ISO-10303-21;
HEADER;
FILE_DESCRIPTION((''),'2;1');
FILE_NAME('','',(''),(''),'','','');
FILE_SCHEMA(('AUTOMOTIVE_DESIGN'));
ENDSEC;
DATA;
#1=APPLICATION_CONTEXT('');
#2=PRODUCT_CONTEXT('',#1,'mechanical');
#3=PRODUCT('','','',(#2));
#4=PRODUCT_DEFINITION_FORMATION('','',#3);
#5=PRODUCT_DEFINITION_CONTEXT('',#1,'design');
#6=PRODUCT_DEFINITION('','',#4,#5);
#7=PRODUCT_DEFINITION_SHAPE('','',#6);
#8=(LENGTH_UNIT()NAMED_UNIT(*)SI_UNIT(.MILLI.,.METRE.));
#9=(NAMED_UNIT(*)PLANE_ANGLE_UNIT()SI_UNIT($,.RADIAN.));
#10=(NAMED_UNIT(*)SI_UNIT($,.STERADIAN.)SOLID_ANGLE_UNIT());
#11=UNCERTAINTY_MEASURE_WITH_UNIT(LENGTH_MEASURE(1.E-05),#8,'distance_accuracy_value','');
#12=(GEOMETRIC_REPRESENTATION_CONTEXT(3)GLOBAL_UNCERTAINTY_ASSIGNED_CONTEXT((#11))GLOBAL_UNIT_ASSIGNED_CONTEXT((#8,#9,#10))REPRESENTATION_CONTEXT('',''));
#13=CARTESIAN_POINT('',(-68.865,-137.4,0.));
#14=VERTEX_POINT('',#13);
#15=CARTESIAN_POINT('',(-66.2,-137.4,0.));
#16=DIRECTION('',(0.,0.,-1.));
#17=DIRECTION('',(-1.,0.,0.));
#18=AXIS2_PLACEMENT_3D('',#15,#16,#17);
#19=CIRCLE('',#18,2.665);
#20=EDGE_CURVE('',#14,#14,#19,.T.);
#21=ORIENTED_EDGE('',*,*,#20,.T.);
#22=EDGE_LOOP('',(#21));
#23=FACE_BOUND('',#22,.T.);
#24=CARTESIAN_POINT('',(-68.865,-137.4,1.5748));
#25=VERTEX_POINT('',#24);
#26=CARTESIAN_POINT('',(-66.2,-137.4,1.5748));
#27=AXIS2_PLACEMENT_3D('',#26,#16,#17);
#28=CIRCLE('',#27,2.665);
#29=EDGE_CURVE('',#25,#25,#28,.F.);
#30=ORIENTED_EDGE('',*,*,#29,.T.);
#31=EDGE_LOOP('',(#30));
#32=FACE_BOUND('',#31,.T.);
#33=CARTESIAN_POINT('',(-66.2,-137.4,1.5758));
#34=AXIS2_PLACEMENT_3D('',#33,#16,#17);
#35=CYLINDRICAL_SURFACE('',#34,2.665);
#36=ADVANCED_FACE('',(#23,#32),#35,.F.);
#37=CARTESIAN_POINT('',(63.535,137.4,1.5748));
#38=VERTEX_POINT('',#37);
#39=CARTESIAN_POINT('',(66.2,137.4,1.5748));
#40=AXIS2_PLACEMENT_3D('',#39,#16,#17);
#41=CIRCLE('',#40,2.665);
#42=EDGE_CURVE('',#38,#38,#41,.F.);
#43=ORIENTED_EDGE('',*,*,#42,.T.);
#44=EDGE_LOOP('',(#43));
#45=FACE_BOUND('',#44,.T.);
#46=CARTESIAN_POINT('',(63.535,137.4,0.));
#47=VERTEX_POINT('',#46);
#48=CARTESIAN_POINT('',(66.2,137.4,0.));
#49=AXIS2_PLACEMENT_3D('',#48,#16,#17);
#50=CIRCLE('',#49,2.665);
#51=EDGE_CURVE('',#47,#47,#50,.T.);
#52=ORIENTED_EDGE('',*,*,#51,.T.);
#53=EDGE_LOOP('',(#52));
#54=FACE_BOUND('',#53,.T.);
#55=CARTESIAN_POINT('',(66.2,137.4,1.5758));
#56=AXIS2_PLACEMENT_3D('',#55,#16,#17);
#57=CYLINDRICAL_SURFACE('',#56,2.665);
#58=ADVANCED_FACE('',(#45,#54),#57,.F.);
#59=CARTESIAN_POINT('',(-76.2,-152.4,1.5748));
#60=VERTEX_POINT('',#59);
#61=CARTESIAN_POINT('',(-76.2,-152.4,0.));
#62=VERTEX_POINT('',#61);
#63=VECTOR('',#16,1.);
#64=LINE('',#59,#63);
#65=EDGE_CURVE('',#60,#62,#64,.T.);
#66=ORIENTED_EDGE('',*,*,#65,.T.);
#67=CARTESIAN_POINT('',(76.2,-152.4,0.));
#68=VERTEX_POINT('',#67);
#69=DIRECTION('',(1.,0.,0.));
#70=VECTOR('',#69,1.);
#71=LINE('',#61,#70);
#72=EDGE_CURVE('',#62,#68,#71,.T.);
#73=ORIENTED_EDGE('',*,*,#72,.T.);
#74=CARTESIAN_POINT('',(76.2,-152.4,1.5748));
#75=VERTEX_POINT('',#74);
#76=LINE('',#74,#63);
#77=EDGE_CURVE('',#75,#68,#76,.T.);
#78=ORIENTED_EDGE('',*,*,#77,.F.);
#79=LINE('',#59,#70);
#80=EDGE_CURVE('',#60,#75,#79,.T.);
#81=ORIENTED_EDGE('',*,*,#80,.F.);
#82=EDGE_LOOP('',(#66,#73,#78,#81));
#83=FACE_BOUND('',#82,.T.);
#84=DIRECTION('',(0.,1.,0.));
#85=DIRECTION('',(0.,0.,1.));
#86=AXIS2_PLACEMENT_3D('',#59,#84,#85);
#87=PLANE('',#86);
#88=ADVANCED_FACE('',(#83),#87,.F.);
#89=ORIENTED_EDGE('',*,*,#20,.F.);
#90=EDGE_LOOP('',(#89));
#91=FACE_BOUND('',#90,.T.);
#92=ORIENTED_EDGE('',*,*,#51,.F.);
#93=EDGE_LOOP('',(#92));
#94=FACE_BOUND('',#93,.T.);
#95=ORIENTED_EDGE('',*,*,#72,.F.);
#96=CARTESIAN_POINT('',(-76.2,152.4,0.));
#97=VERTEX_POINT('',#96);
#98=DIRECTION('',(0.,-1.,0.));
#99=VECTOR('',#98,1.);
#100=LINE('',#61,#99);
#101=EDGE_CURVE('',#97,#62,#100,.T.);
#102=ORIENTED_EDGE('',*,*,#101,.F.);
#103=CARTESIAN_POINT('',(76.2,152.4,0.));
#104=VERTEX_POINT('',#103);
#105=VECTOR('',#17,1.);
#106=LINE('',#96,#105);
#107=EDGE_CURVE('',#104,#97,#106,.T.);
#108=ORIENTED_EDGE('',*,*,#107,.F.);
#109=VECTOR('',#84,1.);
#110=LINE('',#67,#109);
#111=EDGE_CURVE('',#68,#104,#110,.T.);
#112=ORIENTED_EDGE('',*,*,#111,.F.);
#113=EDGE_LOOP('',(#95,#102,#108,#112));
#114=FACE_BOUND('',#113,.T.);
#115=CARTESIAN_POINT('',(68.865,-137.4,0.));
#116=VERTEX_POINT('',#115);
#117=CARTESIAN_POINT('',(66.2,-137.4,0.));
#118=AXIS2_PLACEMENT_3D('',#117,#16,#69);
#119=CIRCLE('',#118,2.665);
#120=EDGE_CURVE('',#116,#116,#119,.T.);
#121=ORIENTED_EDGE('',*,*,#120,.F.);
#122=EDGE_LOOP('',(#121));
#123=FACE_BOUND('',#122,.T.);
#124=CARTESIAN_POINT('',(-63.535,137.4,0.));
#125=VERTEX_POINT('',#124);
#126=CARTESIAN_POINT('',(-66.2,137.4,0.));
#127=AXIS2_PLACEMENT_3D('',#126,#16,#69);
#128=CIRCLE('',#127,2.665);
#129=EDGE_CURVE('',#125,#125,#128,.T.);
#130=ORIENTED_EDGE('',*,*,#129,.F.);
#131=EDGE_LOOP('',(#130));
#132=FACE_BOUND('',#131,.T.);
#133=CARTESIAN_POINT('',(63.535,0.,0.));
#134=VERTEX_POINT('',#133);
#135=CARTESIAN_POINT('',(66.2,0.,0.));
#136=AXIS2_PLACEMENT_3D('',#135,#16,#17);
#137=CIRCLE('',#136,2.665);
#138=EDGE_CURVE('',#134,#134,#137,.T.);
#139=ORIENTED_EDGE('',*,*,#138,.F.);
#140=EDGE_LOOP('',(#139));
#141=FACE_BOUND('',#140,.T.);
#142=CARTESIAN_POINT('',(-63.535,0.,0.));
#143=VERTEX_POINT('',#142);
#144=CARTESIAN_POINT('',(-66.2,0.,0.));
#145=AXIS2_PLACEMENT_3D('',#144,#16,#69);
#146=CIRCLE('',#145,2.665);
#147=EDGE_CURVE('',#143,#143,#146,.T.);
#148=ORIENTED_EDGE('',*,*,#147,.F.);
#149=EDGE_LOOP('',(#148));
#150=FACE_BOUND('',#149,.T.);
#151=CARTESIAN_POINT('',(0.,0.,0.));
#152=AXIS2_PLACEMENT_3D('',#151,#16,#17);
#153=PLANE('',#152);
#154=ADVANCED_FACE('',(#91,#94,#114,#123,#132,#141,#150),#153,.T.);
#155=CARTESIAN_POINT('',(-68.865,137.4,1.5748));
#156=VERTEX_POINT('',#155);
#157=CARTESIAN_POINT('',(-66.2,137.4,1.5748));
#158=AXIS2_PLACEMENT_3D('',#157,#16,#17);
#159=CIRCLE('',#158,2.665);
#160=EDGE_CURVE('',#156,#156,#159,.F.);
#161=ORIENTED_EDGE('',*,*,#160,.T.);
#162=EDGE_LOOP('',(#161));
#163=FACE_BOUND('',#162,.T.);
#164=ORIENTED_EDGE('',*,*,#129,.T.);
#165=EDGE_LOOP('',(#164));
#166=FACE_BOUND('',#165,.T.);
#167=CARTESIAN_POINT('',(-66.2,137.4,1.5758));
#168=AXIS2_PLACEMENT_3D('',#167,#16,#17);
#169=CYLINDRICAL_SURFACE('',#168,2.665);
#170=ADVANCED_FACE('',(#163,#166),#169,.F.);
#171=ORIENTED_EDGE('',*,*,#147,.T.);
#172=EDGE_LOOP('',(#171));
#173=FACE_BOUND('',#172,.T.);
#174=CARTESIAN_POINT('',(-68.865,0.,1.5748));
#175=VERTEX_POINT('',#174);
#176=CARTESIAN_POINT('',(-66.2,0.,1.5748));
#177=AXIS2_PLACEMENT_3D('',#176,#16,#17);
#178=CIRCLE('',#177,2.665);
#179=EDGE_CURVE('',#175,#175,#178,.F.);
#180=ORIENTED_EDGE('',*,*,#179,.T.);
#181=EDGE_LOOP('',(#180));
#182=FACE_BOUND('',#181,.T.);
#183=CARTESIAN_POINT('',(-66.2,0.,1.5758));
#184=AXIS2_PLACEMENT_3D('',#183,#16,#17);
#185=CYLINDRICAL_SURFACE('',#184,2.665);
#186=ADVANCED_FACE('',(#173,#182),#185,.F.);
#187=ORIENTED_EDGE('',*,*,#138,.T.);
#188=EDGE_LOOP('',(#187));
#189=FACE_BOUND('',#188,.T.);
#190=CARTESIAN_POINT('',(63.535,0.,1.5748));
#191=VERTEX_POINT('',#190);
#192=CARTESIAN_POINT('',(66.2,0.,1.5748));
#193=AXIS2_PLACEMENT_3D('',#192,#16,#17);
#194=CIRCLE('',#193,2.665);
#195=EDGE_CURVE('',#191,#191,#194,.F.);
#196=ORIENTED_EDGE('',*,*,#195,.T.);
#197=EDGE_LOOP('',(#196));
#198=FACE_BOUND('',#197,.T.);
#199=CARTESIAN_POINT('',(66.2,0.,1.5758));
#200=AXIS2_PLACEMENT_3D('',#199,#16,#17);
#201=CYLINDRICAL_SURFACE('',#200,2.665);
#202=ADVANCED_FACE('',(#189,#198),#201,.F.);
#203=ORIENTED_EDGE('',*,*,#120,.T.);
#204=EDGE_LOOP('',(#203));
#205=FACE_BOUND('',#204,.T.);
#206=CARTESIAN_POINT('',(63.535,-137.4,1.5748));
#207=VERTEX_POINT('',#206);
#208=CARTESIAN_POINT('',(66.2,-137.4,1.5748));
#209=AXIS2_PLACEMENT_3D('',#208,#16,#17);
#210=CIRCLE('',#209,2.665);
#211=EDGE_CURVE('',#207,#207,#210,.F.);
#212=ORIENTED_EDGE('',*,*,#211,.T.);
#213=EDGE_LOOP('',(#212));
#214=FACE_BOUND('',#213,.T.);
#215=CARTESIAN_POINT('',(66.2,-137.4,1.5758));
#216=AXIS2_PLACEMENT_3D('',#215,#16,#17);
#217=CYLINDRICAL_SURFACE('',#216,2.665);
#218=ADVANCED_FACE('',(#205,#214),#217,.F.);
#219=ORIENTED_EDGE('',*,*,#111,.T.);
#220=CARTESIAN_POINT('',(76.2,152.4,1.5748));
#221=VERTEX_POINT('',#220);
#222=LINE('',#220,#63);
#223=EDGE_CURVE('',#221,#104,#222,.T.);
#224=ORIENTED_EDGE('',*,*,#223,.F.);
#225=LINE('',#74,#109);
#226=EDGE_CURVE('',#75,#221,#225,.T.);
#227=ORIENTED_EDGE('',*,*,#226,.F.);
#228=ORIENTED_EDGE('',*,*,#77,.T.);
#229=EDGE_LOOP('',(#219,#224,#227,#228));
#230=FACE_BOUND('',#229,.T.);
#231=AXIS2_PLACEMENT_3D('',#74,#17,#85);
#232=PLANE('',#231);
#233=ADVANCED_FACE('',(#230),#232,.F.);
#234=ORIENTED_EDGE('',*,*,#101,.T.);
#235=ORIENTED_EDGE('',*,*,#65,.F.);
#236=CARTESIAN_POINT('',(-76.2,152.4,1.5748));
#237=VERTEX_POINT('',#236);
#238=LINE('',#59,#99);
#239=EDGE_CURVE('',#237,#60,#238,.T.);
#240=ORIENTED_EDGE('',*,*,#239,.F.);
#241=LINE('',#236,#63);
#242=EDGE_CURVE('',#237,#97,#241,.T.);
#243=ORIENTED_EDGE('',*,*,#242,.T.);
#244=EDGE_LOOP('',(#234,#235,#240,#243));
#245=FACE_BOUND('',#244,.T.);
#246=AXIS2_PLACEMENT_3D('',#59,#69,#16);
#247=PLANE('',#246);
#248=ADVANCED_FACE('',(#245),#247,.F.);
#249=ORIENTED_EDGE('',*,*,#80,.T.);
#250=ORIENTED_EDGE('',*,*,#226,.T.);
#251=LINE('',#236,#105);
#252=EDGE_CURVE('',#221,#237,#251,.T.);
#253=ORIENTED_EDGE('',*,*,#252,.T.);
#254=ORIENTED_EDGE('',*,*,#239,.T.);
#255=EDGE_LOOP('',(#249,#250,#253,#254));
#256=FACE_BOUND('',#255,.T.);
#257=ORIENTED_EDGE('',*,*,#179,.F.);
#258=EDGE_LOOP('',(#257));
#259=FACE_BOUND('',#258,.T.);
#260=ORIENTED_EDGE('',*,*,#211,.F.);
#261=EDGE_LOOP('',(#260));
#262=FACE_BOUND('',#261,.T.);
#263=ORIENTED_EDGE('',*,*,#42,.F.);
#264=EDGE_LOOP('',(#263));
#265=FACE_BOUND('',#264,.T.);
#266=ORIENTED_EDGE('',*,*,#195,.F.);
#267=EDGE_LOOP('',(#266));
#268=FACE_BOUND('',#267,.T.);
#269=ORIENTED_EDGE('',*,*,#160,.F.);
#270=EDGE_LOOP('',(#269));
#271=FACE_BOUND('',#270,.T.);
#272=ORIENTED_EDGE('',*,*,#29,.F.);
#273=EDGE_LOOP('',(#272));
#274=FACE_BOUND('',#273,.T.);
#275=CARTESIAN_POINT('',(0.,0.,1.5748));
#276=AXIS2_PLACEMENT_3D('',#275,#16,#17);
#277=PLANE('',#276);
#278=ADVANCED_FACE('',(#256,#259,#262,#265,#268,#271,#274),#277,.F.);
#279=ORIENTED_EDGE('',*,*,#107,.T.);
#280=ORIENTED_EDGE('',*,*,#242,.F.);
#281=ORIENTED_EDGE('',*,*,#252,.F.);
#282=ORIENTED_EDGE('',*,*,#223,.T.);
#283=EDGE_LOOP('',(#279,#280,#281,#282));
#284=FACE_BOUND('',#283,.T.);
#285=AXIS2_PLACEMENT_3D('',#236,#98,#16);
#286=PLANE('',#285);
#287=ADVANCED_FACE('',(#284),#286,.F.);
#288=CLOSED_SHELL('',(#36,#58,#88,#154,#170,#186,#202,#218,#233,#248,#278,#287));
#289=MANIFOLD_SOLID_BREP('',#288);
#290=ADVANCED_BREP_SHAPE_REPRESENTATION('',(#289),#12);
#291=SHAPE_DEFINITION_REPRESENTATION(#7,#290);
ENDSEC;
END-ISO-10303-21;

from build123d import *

# Parameters (mm, degrees)
SKETCH1_W           = 152.4
SKETCH1_H           = 304.8
BOSS_EXTRUDE1_DEPTH = 1.5748
CUT_EXTRUDE1_REACH  = 172.396
SKETCH2_R           = 2.665


with BuildPart() as part:
    # Sketch1 → Boss-Extrude1 (new body)
    with BuildSketch(Plane.XY):
        Rectangle(SKETCH1_W, SKETCH1_H)
    extrude(amount=BOSS_EXTRUDE1_DEPTH)

    # Sketch2 → Cut-Extrude1 (cut, up to next)
    with BuildSketch(Plane(origin=(0, 0, 0), x_dir=(-1, 0, 0), z_dir=(0, 0, -1)), mode=Mode.PRIVATE) as cut_extrude1_sk1:
        with Locations((-66.2, 137.4)):
            Circle(SKETCH2_R)
    cut_extrude1_tool1 = extrude(cut_extrude1_sk1.sketch, amount=-CUT_EXTRUDE1_REACH, mode=Mode.PRIVATE) & part.part
    # Sketch2 → Cut-Extrude1 (cut, up to next)
    with BuildSketch(Plane(origin=(0, 0, 0), x_dir=(-1, 0, 0), z_dir=(0, 0, -1)), mode=Mode.PRIVATE) as cut_extrude1_sk2:
        with Locations((-66.2, -137.4)):
            Circle(SKETCH2_R)
    cut_extrude1_tool2 = extrude(cut_extrude1_sk2.sketch, amount=-CUT_EXTRUDE1_REACH, mode=Mode.PRIVATE) & part.part
    # Sketch2 → Cut-Extrude1 (cut, up to next)
    with BuildSketch(Plane(origin=(0, 0, 0), x_dir=(-1, 0, 0), z_dir=(0, 0, -1)), mode=Mode.PRIVATE) as cut_extrude1_sk3:
        with Locations((-66.2, 0)):
            Circle(SKETCH2_R)
    cut_extrude1_tool3 = extrude(cut_extrude1_sk3.sketch, amount=-CUT_EXTRUDE1_REACH, mode=Mode.PRIVATE) & part.part
    # Sketch2 → Cut-Extrude1 (cut, up to next)
    with BuildSketch(Plane(origin=(0, 0, 0), x_dir=(-1, 0, 0), z_dir=(0, 0, -1)), mode=Mode.PRIVATE) as cut_extrude1_sk4:
        with Locations((66.2, -137.4)):
            Circle(SKETCH2_R)
    cut_extrude1_tool4 = extrude(cut_extrude1_sk4.sketch, amount=-CUT_EXTRUDE1_REACH, mode=Mode.PRIVATE) & part.part
    # Sketch2 → Cut-Extrude1 (cut, up to next)
    with BuildSketch(Plane(origin=(0, 0, 0), x_dir=(-1, 0, 0), z_dir=(0, 0, -1)), mode=Mode.PRIVATE) as cut_extrude1_sk5:
        with Locations((66.2, 0)):
            Circle(SKETCH2_R)
    cut_extrude1_tool5 = extrude(cut_extrude1_sk5.sketch, amount=-CUT_EXTRUDE1_REACH, mode=Mode.PRIVATE) & part.part
    # Sketch2 → Cut-Extrude1 (cut, up to next)
    with BuildSketch(Plane(origin=(0, 0, 0), x_dir=(-1, 0, 0), z_dir=(0, 0, -1)), mode=Mode.PRIVATE) as cut_extrude1_sk6:
        with Locations((66.2, 137.4)):
            Circle(SKETCH2_R)
    cut_extrude1_tool6 = extrude(cut_extrude1_sk6.sketch, amount=-CUT_EXTRUDE1_REACH, mode=Mode.PRIVATE) & part.part
    add(cut_extrude1_tool1.solids().sort_by_distance((66.2, 137.4, 0))[0], mode=Mode.SUBTRACT)
    add(cut_extrude1_tool2.solids().sort_by_distance((66.2, -137.4, 0))[0], mode=Mode.SUBTRACT)
    add(cut_extrude1_tool3.solids().sort_by_distance((66.2, 0, 0))[0], mode=Mode.SUBTRACT)
    add(cut_extrude1_tool4.solids().sort_by_distance((-66.2, -137.4, 0))[0], mode=Mode.SUBTRACT)
    add(cut_extrude1_tool5.solids().sort_by_distance((-66.2, 0, 0))[0], mode=Mode.SUBTRACT)
    add(cut_extrude1_tool6.solids().sort_by_distance((-66.2, 137.4, 0))[0], mode=Mode.SUBTRACT)


solid = part.part
